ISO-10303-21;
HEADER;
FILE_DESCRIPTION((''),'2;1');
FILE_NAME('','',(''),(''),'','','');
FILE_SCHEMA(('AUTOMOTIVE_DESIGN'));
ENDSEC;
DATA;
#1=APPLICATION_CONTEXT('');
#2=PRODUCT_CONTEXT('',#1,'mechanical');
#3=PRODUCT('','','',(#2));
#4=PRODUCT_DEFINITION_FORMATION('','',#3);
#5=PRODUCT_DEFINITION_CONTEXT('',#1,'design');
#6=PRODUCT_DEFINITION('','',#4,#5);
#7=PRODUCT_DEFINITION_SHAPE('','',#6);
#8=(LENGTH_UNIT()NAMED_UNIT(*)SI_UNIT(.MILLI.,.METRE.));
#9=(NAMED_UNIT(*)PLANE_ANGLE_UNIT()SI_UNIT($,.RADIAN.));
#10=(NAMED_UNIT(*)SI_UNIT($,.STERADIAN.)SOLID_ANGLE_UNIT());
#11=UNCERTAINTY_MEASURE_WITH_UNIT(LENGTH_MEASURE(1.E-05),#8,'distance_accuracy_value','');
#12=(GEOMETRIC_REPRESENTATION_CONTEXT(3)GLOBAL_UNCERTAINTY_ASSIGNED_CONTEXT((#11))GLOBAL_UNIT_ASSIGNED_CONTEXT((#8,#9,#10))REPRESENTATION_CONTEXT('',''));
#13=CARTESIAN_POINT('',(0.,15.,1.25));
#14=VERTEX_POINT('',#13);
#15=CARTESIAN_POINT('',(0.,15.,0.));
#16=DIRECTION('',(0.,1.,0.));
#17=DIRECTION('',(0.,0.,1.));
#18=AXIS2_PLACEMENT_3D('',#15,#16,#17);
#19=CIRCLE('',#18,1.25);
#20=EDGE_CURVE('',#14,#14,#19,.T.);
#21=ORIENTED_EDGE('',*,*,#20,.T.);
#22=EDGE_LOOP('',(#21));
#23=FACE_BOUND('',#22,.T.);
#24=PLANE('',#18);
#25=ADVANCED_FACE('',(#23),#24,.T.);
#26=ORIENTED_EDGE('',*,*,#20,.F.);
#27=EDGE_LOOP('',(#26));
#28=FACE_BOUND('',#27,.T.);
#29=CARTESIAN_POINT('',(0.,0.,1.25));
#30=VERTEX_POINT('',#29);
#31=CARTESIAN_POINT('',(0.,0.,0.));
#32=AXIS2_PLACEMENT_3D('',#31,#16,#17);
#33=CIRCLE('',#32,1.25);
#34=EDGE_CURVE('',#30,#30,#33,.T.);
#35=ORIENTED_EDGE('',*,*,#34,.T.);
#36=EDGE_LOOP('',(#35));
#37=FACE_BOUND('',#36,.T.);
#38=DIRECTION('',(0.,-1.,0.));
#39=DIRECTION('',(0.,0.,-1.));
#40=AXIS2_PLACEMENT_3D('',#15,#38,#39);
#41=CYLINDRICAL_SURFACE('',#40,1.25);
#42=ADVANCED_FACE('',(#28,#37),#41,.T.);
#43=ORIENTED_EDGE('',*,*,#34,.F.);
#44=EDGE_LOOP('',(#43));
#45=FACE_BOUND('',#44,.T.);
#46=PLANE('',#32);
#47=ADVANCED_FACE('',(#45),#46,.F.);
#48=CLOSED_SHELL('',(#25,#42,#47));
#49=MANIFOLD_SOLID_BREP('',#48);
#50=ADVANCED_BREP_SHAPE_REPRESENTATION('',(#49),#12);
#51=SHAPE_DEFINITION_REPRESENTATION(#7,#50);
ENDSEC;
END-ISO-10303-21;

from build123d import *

# Parameters (mm, degrees)
SKETCH1_R           = 1.25
BOSS_EXTRUDE1_DEPTH = 15


with BuildPart() as part:
    # Sketch1 → Boss-Extrude1 (new body)
    with BuildSketch(Plane(origin=(0, 0, 0), x_dir=(1, 0, 0), z_dir=(0, 1, 0))):
        Circle(SKETCH1_R)
    extrude(amount=BOSS_EXTRUDE1_DEPTH)


solid = part.part
